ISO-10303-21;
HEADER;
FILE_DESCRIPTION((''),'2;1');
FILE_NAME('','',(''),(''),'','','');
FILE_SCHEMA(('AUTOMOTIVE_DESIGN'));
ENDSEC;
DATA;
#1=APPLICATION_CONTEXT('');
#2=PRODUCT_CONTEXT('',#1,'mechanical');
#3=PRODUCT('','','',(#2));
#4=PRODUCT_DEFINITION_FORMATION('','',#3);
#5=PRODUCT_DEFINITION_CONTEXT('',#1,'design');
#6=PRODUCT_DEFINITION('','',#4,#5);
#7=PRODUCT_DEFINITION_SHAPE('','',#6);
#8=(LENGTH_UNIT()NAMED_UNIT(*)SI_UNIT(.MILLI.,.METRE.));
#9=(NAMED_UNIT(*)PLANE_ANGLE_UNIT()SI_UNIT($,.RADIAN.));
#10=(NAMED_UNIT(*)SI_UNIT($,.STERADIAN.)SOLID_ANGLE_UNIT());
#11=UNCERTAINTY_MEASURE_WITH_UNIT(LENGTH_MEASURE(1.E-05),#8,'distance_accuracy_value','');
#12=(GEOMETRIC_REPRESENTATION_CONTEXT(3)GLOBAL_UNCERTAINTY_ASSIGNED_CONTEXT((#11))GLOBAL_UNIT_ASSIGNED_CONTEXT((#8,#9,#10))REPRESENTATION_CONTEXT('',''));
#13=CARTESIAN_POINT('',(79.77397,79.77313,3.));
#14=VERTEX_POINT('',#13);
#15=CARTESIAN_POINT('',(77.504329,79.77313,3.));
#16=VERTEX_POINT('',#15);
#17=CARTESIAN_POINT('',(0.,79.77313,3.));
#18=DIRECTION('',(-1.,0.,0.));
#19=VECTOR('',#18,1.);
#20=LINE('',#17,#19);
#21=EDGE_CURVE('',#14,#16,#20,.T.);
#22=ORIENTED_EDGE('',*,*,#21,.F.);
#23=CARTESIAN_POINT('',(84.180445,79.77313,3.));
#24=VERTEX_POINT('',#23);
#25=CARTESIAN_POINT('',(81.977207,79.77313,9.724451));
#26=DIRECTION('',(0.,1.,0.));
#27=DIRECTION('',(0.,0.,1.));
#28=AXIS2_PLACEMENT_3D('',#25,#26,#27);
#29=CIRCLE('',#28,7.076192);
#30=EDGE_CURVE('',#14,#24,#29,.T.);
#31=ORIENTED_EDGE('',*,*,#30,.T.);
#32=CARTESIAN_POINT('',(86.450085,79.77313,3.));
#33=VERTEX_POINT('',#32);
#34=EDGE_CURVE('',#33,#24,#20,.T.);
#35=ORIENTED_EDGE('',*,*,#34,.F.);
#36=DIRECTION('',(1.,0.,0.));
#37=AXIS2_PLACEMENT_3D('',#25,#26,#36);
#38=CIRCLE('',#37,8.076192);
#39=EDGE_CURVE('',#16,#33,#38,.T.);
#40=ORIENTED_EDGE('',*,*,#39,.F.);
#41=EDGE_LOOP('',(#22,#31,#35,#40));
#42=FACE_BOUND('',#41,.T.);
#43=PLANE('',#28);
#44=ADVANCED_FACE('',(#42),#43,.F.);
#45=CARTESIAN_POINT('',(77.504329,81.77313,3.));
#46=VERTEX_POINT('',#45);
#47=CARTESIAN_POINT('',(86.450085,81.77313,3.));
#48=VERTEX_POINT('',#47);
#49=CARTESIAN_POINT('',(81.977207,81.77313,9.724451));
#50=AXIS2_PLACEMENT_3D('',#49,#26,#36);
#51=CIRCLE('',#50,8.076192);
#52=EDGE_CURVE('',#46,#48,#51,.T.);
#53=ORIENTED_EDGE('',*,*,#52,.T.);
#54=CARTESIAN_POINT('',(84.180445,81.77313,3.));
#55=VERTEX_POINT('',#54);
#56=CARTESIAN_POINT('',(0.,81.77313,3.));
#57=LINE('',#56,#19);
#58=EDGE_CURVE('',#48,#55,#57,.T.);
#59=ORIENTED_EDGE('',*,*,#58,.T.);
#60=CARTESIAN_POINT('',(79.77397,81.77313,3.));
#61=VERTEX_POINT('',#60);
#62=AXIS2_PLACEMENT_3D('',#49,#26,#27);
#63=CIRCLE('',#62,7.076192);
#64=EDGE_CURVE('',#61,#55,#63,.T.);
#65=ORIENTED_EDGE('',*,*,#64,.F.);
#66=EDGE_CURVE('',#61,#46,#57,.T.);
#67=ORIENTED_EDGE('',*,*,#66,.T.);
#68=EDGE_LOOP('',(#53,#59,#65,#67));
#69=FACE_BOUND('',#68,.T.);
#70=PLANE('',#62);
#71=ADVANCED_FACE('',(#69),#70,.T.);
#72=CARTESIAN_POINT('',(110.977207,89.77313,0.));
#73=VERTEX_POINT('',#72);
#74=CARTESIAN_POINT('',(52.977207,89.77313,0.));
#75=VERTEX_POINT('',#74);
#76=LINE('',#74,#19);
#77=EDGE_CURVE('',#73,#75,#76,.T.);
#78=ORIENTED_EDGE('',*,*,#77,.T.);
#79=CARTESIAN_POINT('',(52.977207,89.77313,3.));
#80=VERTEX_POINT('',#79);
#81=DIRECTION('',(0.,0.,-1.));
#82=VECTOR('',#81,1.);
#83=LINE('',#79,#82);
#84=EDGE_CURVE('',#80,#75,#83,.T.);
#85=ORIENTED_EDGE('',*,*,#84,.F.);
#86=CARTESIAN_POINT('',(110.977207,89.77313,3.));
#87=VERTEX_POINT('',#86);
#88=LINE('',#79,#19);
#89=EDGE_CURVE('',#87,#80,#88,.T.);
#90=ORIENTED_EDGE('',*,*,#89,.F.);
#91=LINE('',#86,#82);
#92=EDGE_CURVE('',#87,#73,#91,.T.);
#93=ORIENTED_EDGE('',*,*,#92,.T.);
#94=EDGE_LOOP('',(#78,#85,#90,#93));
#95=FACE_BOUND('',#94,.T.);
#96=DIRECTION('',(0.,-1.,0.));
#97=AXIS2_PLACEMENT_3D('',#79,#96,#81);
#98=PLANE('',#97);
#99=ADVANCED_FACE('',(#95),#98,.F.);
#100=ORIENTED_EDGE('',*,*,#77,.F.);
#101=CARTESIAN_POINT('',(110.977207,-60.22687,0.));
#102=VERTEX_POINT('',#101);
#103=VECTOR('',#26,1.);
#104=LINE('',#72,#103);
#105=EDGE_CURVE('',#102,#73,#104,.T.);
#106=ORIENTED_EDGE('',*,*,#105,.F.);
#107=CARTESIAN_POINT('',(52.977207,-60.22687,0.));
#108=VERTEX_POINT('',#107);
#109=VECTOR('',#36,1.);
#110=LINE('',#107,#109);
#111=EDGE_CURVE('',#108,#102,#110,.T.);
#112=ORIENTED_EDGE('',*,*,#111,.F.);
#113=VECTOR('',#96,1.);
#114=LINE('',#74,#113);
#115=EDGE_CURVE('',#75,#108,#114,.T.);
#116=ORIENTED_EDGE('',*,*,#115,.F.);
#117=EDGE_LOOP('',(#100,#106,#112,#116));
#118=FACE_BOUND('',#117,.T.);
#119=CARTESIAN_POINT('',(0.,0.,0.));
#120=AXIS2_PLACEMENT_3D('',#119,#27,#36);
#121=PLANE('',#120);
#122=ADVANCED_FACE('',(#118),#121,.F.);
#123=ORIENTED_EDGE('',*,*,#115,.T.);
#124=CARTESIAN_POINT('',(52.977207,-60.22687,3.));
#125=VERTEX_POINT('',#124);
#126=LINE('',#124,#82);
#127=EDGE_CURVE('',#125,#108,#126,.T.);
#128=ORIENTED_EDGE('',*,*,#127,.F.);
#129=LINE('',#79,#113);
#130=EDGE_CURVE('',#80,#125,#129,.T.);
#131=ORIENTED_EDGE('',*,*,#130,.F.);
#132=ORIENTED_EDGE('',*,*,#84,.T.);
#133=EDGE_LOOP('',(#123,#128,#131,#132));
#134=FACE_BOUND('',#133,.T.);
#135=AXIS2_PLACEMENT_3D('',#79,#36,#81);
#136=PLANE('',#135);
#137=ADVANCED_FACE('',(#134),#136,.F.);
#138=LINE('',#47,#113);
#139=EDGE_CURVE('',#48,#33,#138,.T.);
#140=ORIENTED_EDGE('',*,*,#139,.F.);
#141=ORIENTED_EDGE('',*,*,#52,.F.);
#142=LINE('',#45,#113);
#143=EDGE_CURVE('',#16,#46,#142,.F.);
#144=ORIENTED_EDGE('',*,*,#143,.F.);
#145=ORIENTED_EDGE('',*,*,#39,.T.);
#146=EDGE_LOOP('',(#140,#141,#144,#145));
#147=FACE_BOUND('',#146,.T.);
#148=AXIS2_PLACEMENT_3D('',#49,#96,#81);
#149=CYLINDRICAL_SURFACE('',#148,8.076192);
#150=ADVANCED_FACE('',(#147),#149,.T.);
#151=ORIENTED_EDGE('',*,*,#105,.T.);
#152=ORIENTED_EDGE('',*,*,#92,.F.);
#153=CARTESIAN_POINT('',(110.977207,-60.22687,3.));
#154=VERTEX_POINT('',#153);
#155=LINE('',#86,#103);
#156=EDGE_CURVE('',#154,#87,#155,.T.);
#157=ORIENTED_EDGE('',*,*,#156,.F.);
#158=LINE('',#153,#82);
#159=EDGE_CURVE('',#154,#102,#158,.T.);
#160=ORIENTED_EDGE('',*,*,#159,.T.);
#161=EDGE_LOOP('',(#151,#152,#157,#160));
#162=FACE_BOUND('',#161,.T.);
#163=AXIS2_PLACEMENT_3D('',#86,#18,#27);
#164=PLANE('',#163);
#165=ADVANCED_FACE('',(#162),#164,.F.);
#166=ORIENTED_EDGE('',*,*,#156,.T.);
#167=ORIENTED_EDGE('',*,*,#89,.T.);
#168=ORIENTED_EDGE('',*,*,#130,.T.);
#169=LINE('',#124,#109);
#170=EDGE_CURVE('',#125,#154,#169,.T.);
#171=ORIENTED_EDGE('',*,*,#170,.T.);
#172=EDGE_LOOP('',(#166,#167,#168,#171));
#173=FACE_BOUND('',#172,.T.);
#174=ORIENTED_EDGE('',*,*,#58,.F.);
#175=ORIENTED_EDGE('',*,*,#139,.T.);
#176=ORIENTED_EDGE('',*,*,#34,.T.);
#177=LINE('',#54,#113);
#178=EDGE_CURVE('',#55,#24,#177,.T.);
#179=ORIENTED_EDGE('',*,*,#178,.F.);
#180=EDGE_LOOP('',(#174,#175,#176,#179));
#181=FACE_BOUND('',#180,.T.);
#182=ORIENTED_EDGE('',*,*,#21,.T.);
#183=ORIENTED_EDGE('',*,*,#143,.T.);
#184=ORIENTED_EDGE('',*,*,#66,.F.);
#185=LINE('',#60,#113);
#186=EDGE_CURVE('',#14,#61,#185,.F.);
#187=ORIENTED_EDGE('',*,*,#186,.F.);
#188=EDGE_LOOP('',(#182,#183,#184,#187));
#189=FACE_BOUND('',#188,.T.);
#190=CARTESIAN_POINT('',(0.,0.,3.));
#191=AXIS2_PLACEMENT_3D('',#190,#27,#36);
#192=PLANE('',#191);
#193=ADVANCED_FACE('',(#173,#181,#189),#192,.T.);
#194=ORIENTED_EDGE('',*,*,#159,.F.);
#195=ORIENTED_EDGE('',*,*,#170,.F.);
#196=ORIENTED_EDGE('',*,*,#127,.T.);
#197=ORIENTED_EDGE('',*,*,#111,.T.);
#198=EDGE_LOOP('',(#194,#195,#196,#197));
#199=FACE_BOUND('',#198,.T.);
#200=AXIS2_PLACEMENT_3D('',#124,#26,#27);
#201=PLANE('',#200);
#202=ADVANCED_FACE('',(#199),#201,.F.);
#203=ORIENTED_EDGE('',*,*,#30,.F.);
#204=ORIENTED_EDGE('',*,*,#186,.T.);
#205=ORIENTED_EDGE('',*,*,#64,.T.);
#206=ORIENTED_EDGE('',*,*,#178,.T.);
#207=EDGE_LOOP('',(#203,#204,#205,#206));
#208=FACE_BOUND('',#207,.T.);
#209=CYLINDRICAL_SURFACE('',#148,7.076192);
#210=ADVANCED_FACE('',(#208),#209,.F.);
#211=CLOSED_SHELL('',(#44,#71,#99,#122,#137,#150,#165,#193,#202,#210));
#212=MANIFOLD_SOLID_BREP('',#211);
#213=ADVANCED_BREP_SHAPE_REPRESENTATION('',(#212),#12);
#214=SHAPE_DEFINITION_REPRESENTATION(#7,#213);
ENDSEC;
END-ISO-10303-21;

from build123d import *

# Parameters (mm, degrees)
SKETCH1_W           = 58
SKETCH1_H           = 150
BOSS_EXTRUDE1_DEPTH = 3
SKETCH2_R           = 8.076191979
SKETCH2_R_2         = 7.076191979
EXTRUDE_THIN1_DEPTH = 2


with BuildPart() as part:
    # Sketch1 → Boss-Extrude1 (new body)
    with BuildSketch(Plane.XY):
        with Locations((81.977207271, 14.773129951)):
            Rectangle(SKETCH1_W, SKETCH1_H)
    extrude(amount=BOSS_EXTRUDE1_DEPTH)

    # Sketch2 → Extrude-Thin1 (add)
    with BuildSketch(Plane(origin=(0, 79.773129951, 0), x_dir=(1, 0, 0), z_dir=(0, 1, 0))):
        with Locations((81.977207271, -9.724450767)):
            Circle(SKETCH2_R)
        with Locations((81.977207271, -9.724450767)):
            Circle(SKETCH2_R_2, mode=Mode.SUBTRACT)
    extrude(amount=EXTRUDE_THIN1_DEPTH)


solid = part.part
